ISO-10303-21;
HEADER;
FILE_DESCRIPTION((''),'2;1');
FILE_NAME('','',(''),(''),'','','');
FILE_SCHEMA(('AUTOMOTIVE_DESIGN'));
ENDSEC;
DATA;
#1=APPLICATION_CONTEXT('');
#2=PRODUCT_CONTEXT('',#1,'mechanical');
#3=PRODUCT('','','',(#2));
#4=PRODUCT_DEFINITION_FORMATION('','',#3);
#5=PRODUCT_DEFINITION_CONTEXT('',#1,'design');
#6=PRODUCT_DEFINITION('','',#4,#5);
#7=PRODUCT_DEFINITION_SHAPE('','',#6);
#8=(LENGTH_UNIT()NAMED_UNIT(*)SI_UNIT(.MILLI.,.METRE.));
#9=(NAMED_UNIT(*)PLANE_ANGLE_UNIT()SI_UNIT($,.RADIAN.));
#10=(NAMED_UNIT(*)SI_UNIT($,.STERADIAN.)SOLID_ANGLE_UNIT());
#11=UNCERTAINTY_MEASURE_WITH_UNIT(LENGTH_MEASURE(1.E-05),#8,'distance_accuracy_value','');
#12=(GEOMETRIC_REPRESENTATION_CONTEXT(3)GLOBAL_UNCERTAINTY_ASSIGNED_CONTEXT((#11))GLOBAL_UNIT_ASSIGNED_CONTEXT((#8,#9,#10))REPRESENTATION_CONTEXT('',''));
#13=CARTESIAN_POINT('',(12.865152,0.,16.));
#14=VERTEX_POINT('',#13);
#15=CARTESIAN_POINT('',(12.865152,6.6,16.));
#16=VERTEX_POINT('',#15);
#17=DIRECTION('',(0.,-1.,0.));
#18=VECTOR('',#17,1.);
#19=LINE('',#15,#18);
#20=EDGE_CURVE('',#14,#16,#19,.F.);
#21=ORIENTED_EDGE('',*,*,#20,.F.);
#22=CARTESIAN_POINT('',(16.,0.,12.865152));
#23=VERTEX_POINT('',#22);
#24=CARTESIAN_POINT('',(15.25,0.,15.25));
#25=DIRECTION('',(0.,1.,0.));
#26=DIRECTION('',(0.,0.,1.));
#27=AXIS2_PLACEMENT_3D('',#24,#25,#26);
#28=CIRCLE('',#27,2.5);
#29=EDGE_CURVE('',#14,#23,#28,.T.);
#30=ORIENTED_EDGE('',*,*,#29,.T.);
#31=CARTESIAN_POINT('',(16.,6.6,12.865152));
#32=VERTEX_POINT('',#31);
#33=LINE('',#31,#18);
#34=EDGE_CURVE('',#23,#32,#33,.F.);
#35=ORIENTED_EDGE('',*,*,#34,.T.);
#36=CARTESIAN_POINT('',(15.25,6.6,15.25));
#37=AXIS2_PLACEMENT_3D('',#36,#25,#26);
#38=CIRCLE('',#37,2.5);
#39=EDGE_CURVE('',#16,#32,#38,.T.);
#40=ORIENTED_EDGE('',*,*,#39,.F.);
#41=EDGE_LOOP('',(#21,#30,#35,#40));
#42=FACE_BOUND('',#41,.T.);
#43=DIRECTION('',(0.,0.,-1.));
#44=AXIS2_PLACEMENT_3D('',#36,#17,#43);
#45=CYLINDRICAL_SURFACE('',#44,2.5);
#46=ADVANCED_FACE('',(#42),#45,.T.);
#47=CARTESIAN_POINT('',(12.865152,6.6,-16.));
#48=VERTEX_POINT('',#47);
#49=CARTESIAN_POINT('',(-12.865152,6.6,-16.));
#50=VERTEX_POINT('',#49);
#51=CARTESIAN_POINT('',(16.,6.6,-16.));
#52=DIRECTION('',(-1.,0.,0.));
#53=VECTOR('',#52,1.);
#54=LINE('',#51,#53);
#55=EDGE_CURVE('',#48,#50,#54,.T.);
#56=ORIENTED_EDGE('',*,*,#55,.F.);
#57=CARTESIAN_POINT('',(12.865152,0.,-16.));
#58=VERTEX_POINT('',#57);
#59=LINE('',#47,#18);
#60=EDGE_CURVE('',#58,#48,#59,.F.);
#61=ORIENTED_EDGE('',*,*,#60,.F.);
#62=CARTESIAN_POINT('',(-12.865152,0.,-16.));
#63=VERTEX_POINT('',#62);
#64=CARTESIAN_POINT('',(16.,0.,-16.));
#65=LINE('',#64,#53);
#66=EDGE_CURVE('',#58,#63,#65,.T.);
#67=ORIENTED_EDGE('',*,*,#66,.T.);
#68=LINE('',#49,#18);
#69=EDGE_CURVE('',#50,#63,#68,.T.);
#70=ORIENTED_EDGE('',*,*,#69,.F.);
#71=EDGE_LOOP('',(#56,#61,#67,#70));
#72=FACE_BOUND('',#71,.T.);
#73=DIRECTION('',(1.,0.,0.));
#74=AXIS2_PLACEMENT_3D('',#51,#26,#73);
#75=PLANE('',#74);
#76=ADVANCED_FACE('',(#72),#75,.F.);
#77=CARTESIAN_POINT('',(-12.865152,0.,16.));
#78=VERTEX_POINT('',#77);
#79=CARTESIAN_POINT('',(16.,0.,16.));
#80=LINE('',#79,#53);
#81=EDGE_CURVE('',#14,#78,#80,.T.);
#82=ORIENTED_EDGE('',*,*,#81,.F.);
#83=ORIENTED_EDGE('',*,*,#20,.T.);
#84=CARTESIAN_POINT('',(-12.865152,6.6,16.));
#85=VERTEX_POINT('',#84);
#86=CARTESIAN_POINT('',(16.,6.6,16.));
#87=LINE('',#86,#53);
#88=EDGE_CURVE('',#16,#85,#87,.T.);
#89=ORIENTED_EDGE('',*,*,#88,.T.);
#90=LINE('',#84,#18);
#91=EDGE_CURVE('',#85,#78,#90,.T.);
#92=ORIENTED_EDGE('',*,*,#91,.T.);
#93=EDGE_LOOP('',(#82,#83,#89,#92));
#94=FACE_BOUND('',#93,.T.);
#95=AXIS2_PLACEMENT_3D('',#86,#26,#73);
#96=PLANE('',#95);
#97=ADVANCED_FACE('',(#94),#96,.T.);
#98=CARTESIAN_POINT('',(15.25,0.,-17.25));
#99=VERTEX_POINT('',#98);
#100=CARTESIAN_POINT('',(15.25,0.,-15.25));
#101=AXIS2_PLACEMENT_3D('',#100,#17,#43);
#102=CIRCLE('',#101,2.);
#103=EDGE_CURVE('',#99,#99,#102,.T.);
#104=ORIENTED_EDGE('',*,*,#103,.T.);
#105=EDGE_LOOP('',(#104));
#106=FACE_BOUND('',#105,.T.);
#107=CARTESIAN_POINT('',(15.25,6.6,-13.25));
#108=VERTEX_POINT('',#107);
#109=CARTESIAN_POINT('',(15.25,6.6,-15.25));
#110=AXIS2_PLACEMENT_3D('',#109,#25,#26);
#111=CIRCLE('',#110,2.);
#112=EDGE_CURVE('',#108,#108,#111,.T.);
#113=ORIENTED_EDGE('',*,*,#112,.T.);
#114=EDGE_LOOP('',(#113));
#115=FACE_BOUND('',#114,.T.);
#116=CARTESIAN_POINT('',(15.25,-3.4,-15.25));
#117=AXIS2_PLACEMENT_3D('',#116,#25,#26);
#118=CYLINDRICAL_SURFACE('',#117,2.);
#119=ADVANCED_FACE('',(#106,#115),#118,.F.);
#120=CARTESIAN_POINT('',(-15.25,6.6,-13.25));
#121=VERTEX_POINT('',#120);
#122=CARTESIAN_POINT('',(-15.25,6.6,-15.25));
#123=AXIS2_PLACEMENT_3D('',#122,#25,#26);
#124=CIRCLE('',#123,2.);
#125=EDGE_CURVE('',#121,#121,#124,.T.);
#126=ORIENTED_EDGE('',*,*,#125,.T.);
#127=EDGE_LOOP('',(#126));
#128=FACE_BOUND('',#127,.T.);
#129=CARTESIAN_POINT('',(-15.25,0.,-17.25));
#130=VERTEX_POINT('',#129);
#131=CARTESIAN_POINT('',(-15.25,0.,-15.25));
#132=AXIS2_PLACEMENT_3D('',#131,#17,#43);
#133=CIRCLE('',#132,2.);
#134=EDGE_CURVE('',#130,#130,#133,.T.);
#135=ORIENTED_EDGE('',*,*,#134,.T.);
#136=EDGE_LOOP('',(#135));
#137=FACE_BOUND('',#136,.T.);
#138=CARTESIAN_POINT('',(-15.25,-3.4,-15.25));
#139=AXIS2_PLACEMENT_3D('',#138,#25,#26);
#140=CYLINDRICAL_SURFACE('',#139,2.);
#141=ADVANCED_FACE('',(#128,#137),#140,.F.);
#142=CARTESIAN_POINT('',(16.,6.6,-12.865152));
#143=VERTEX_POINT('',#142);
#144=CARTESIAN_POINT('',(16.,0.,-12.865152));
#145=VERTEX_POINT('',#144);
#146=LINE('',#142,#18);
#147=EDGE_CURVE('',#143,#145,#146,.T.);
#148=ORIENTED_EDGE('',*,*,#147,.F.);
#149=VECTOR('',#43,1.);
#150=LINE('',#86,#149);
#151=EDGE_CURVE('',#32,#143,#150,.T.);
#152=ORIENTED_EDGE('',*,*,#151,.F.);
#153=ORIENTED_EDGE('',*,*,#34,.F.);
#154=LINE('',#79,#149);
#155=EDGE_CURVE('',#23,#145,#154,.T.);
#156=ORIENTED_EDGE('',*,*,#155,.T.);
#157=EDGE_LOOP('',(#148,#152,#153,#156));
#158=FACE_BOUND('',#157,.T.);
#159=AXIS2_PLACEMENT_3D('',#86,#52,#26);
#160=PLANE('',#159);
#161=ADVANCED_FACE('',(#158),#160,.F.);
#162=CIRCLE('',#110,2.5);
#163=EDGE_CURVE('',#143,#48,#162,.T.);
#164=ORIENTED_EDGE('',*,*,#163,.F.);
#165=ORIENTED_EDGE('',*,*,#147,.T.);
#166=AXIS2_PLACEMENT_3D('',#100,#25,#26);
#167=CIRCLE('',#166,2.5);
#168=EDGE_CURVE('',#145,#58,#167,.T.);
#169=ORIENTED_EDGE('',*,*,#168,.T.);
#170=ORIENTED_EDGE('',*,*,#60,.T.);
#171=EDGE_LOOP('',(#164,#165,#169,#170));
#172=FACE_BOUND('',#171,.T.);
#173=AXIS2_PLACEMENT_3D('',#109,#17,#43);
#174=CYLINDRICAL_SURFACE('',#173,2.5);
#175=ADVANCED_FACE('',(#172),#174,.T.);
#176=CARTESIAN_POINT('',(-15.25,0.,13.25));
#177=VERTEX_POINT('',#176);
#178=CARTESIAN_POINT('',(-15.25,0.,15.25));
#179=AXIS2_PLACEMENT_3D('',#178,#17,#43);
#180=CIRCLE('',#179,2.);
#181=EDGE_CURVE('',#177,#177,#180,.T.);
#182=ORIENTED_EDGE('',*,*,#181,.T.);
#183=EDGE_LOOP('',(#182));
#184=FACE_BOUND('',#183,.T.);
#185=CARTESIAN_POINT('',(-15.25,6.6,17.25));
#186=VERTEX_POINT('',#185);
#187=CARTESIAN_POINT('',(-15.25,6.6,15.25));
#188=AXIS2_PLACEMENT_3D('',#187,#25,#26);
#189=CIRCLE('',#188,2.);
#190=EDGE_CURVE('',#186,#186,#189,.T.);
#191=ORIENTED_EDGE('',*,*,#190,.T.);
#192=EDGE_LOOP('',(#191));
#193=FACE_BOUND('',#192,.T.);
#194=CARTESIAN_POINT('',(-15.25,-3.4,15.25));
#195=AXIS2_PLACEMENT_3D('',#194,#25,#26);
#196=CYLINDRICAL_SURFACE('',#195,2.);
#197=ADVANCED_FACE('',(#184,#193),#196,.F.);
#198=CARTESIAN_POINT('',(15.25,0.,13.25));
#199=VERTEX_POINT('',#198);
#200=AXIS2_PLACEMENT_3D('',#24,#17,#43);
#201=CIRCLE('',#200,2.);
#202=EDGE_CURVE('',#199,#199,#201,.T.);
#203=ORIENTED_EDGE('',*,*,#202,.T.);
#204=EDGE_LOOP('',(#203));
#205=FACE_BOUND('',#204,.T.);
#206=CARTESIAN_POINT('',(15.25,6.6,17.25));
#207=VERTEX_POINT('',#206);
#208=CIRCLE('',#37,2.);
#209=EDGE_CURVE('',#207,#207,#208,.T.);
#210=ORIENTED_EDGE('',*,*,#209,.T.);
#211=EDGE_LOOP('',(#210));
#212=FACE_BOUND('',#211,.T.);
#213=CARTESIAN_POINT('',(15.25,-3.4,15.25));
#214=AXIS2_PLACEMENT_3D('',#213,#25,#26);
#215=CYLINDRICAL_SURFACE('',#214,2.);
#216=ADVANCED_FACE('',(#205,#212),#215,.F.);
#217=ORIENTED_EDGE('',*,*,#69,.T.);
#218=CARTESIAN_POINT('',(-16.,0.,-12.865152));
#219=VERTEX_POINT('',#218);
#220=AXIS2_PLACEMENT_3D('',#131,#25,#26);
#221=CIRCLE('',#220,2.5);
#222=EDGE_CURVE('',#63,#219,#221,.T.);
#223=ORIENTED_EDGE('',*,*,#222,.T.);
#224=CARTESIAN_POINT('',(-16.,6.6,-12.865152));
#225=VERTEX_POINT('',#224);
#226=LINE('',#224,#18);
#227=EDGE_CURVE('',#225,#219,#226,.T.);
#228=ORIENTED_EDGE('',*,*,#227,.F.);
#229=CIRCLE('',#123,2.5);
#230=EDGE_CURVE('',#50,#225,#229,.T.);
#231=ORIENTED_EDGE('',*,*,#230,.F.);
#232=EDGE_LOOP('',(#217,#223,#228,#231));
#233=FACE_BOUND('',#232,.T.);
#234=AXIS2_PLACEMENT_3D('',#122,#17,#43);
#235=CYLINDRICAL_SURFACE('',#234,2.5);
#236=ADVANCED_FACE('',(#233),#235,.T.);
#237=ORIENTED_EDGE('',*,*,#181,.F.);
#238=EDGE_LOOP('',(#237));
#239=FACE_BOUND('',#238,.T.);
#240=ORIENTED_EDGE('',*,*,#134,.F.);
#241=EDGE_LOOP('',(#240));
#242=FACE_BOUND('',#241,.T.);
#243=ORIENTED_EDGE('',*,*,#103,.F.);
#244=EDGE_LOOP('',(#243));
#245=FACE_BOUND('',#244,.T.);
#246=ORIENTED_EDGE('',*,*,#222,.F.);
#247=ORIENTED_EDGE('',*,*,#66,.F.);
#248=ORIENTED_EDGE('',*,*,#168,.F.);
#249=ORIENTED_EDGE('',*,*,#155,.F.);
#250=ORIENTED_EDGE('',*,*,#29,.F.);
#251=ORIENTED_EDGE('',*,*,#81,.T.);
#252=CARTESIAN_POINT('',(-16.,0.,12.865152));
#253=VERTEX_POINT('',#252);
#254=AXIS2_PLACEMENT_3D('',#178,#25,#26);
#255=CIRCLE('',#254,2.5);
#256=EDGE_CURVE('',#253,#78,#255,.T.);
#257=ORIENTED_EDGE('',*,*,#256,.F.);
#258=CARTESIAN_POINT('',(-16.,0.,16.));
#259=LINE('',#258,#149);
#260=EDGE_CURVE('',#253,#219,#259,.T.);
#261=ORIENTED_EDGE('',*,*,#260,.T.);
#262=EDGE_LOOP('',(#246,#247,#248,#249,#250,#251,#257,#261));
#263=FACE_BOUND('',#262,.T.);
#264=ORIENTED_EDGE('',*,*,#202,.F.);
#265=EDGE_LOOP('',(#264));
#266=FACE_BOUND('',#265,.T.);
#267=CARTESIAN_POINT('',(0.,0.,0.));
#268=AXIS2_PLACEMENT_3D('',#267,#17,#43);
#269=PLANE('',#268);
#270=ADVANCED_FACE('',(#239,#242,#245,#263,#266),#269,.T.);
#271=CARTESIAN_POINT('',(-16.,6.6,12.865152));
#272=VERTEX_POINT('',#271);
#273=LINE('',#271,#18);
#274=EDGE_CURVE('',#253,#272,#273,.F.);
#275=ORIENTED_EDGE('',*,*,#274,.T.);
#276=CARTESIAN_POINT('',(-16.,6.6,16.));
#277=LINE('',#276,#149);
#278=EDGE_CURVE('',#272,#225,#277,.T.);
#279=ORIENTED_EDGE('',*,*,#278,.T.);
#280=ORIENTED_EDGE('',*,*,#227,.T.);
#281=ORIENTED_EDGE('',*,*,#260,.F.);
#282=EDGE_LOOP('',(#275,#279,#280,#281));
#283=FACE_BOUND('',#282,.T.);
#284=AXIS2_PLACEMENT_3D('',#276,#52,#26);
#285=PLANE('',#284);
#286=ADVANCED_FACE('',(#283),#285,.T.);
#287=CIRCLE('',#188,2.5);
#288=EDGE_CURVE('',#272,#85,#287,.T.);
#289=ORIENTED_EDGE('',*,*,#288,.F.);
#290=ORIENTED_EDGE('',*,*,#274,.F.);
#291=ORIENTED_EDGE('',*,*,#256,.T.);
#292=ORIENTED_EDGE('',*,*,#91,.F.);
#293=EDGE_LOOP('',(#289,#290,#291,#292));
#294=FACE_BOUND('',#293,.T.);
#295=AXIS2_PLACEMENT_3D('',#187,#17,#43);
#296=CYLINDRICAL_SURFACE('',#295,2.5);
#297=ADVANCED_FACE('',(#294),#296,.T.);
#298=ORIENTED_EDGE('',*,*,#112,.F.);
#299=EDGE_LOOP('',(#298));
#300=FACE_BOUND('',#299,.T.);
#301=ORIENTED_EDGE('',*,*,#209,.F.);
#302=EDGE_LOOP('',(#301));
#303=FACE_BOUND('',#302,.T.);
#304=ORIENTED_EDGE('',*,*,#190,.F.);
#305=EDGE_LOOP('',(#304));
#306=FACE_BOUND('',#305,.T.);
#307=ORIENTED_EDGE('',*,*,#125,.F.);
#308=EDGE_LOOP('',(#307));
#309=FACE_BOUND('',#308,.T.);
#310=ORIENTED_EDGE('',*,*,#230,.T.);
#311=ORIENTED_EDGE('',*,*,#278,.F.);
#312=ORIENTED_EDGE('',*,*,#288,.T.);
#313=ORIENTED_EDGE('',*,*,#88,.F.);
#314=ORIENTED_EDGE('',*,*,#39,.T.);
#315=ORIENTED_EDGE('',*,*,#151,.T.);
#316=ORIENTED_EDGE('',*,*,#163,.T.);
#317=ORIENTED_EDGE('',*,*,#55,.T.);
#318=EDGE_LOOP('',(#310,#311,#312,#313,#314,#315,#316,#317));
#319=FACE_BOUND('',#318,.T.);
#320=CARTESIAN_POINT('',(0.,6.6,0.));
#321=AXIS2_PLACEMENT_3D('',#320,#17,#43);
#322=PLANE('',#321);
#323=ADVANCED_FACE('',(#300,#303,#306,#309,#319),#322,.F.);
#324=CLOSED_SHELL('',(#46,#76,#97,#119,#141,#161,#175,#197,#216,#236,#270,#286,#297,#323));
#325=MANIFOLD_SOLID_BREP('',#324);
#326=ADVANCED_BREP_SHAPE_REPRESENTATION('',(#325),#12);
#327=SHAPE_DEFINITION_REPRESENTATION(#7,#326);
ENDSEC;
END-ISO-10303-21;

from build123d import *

# Parameters (mm, degrees)
SKETCH1_R           = 2.5
SKETCH1_W           = 32
SKETCH1_H           = 32
BOSS_EXTRUDE1_DEPTH = 6.6
SKETCH2_R           = 2
CUT_EXTRUDE1_DEPTH  = 10


with BuildPart() as part:
    # Sketch1 → Boss-Extrude1 (new body)
    with BuildSketch(Plane(origin=(0, 0, 0), x_dir=(1, 0, 0), z_dir=(0, 1, 0))):
        with Locations((-15.25, 15.25)):
            Circle(SKETCH1_R)
        with Locations((15.25, 15.25)):
            Circle(SKETCH1_R)
        with Locations((-15.25, -15.25)):
            Circle(SKETCH1_R)
        with Locations((15.25, -15.25)):
            Circle(SKETCH1_R)
        Rectangle(SKETCH1_W, SKETCH1_H)
    extrude(amount=BOSS_EXTRUDE1_DEPTH)

    # Sketch2 → Cut-Extrude1 (cut)
    with BuildSketch(Plane(origin=(0, 6.6, 0), x_dir=(1, 0, 0), z_dir=(0, 1, 0))):
        with Locations(Location((-15.25, 15.25, 0), (0, 0, 270))):
            Circle(SKETCH2_R)
        with Locations(Location((15.25, 15.25, 0), (0, 0, 270))):
            Circle(SKETCH2_R)
        with Locations(Location((15.25, -15.25, 0), (0, 0, 270))):
            Circle(SKETCH2_R)
        with Locations(Location((-15.25, -15.25, 0), (0, 0, 270))):
            Circle(SKETCH2_R)
    extrude(amount=-CUT_EXTRUDE1_DEPTH, mode=Mode.SUBTRACT)


solid = part.part
